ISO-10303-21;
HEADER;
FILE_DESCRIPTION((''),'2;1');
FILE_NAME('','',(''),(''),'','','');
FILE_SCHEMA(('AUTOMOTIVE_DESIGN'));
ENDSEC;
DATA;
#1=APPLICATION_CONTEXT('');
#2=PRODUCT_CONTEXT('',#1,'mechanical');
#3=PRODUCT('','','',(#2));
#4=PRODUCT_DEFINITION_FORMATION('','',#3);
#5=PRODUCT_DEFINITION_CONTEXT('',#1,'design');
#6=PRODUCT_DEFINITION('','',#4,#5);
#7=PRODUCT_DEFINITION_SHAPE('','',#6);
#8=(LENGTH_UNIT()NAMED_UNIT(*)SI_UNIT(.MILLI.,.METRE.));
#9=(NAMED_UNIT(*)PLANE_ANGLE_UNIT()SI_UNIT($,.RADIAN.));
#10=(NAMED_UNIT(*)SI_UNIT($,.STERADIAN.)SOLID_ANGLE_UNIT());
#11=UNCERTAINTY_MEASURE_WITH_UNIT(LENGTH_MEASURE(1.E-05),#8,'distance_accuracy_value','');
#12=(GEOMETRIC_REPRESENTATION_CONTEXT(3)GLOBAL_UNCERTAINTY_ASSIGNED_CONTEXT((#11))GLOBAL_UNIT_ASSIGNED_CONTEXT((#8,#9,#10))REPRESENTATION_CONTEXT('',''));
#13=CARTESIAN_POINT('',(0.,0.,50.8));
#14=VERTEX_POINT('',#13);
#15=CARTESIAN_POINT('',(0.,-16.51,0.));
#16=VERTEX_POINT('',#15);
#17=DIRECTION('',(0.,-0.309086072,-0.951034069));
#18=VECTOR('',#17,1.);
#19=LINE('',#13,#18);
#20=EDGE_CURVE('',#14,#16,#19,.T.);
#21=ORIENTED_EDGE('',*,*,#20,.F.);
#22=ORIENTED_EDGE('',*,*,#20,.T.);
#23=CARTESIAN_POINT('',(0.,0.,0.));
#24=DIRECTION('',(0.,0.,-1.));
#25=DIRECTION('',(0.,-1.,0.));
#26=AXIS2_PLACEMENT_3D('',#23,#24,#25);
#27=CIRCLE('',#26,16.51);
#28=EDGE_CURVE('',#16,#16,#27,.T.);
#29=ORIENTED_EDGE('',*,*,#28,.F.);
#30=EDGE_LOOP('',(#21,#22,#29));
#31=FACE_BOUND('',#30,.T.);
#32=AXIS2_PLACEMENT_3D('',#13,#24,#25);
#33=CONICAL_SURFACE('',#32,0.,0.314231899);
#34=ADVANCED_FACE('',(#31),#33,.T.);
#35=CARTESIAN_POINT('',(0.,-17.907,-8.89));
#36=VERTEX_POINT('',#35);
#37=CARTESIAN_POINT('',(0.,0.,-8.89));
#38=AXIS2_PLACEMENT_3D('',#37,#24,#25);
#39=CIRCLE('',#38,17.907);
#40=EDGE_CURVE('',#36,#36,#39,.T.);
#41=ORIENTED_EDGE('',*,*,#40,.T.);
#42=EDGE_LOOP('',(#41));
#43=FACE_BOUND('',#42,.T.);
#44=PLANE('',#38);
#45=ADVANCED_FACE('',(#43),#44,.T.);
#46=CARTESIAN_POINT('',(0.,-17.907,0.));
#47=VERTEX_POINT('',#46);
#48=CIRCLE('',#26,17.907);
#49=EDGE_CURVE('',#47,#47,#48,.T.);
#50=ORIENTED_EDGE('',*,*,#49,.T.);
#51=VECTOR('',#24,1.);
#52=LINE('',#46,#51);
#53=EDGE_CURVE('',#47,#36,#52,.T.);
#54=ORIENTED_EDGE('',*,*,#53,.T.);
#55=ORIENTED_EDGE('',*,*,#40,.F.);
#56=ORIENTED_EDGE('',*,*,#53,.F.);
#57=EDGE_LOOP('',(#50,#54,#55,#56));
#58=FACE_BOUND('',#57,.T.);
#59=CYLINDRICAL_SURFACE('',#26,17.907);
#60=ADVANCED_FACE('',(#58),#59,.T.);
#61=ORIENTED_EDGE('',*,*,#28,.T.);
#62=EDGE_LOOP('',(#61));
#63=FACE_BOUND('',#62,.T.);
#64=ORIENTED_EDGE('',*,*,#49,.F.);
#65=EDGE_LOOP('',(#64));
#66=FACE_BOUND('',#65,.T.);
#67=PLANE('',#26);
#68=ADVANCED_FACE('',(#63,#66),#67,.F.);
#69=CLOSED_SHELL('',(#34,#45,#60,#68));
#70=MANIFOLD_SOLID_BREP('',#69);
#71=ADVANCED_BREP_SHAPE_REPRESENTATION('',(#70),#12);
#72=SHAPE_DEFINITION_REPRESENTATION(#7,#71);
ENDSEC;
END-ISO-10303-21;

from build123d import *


with BuildPart() as f1:
    # F0 (on Right) → F1 (revolve)
    with BuildSketch(Plane.YZ):
        Polygon((0, 0), (0, 50.8), (-16.51, 0), align=None)
        Polygon((0, -8.89), (0, 0), (-16.51, 0), (-17.907, 0), (-17.907, -8.89), align=None)
    revolve(axis=Axis((0, 0, 25.4), (0, 0, -1)))


solid = f1.part
